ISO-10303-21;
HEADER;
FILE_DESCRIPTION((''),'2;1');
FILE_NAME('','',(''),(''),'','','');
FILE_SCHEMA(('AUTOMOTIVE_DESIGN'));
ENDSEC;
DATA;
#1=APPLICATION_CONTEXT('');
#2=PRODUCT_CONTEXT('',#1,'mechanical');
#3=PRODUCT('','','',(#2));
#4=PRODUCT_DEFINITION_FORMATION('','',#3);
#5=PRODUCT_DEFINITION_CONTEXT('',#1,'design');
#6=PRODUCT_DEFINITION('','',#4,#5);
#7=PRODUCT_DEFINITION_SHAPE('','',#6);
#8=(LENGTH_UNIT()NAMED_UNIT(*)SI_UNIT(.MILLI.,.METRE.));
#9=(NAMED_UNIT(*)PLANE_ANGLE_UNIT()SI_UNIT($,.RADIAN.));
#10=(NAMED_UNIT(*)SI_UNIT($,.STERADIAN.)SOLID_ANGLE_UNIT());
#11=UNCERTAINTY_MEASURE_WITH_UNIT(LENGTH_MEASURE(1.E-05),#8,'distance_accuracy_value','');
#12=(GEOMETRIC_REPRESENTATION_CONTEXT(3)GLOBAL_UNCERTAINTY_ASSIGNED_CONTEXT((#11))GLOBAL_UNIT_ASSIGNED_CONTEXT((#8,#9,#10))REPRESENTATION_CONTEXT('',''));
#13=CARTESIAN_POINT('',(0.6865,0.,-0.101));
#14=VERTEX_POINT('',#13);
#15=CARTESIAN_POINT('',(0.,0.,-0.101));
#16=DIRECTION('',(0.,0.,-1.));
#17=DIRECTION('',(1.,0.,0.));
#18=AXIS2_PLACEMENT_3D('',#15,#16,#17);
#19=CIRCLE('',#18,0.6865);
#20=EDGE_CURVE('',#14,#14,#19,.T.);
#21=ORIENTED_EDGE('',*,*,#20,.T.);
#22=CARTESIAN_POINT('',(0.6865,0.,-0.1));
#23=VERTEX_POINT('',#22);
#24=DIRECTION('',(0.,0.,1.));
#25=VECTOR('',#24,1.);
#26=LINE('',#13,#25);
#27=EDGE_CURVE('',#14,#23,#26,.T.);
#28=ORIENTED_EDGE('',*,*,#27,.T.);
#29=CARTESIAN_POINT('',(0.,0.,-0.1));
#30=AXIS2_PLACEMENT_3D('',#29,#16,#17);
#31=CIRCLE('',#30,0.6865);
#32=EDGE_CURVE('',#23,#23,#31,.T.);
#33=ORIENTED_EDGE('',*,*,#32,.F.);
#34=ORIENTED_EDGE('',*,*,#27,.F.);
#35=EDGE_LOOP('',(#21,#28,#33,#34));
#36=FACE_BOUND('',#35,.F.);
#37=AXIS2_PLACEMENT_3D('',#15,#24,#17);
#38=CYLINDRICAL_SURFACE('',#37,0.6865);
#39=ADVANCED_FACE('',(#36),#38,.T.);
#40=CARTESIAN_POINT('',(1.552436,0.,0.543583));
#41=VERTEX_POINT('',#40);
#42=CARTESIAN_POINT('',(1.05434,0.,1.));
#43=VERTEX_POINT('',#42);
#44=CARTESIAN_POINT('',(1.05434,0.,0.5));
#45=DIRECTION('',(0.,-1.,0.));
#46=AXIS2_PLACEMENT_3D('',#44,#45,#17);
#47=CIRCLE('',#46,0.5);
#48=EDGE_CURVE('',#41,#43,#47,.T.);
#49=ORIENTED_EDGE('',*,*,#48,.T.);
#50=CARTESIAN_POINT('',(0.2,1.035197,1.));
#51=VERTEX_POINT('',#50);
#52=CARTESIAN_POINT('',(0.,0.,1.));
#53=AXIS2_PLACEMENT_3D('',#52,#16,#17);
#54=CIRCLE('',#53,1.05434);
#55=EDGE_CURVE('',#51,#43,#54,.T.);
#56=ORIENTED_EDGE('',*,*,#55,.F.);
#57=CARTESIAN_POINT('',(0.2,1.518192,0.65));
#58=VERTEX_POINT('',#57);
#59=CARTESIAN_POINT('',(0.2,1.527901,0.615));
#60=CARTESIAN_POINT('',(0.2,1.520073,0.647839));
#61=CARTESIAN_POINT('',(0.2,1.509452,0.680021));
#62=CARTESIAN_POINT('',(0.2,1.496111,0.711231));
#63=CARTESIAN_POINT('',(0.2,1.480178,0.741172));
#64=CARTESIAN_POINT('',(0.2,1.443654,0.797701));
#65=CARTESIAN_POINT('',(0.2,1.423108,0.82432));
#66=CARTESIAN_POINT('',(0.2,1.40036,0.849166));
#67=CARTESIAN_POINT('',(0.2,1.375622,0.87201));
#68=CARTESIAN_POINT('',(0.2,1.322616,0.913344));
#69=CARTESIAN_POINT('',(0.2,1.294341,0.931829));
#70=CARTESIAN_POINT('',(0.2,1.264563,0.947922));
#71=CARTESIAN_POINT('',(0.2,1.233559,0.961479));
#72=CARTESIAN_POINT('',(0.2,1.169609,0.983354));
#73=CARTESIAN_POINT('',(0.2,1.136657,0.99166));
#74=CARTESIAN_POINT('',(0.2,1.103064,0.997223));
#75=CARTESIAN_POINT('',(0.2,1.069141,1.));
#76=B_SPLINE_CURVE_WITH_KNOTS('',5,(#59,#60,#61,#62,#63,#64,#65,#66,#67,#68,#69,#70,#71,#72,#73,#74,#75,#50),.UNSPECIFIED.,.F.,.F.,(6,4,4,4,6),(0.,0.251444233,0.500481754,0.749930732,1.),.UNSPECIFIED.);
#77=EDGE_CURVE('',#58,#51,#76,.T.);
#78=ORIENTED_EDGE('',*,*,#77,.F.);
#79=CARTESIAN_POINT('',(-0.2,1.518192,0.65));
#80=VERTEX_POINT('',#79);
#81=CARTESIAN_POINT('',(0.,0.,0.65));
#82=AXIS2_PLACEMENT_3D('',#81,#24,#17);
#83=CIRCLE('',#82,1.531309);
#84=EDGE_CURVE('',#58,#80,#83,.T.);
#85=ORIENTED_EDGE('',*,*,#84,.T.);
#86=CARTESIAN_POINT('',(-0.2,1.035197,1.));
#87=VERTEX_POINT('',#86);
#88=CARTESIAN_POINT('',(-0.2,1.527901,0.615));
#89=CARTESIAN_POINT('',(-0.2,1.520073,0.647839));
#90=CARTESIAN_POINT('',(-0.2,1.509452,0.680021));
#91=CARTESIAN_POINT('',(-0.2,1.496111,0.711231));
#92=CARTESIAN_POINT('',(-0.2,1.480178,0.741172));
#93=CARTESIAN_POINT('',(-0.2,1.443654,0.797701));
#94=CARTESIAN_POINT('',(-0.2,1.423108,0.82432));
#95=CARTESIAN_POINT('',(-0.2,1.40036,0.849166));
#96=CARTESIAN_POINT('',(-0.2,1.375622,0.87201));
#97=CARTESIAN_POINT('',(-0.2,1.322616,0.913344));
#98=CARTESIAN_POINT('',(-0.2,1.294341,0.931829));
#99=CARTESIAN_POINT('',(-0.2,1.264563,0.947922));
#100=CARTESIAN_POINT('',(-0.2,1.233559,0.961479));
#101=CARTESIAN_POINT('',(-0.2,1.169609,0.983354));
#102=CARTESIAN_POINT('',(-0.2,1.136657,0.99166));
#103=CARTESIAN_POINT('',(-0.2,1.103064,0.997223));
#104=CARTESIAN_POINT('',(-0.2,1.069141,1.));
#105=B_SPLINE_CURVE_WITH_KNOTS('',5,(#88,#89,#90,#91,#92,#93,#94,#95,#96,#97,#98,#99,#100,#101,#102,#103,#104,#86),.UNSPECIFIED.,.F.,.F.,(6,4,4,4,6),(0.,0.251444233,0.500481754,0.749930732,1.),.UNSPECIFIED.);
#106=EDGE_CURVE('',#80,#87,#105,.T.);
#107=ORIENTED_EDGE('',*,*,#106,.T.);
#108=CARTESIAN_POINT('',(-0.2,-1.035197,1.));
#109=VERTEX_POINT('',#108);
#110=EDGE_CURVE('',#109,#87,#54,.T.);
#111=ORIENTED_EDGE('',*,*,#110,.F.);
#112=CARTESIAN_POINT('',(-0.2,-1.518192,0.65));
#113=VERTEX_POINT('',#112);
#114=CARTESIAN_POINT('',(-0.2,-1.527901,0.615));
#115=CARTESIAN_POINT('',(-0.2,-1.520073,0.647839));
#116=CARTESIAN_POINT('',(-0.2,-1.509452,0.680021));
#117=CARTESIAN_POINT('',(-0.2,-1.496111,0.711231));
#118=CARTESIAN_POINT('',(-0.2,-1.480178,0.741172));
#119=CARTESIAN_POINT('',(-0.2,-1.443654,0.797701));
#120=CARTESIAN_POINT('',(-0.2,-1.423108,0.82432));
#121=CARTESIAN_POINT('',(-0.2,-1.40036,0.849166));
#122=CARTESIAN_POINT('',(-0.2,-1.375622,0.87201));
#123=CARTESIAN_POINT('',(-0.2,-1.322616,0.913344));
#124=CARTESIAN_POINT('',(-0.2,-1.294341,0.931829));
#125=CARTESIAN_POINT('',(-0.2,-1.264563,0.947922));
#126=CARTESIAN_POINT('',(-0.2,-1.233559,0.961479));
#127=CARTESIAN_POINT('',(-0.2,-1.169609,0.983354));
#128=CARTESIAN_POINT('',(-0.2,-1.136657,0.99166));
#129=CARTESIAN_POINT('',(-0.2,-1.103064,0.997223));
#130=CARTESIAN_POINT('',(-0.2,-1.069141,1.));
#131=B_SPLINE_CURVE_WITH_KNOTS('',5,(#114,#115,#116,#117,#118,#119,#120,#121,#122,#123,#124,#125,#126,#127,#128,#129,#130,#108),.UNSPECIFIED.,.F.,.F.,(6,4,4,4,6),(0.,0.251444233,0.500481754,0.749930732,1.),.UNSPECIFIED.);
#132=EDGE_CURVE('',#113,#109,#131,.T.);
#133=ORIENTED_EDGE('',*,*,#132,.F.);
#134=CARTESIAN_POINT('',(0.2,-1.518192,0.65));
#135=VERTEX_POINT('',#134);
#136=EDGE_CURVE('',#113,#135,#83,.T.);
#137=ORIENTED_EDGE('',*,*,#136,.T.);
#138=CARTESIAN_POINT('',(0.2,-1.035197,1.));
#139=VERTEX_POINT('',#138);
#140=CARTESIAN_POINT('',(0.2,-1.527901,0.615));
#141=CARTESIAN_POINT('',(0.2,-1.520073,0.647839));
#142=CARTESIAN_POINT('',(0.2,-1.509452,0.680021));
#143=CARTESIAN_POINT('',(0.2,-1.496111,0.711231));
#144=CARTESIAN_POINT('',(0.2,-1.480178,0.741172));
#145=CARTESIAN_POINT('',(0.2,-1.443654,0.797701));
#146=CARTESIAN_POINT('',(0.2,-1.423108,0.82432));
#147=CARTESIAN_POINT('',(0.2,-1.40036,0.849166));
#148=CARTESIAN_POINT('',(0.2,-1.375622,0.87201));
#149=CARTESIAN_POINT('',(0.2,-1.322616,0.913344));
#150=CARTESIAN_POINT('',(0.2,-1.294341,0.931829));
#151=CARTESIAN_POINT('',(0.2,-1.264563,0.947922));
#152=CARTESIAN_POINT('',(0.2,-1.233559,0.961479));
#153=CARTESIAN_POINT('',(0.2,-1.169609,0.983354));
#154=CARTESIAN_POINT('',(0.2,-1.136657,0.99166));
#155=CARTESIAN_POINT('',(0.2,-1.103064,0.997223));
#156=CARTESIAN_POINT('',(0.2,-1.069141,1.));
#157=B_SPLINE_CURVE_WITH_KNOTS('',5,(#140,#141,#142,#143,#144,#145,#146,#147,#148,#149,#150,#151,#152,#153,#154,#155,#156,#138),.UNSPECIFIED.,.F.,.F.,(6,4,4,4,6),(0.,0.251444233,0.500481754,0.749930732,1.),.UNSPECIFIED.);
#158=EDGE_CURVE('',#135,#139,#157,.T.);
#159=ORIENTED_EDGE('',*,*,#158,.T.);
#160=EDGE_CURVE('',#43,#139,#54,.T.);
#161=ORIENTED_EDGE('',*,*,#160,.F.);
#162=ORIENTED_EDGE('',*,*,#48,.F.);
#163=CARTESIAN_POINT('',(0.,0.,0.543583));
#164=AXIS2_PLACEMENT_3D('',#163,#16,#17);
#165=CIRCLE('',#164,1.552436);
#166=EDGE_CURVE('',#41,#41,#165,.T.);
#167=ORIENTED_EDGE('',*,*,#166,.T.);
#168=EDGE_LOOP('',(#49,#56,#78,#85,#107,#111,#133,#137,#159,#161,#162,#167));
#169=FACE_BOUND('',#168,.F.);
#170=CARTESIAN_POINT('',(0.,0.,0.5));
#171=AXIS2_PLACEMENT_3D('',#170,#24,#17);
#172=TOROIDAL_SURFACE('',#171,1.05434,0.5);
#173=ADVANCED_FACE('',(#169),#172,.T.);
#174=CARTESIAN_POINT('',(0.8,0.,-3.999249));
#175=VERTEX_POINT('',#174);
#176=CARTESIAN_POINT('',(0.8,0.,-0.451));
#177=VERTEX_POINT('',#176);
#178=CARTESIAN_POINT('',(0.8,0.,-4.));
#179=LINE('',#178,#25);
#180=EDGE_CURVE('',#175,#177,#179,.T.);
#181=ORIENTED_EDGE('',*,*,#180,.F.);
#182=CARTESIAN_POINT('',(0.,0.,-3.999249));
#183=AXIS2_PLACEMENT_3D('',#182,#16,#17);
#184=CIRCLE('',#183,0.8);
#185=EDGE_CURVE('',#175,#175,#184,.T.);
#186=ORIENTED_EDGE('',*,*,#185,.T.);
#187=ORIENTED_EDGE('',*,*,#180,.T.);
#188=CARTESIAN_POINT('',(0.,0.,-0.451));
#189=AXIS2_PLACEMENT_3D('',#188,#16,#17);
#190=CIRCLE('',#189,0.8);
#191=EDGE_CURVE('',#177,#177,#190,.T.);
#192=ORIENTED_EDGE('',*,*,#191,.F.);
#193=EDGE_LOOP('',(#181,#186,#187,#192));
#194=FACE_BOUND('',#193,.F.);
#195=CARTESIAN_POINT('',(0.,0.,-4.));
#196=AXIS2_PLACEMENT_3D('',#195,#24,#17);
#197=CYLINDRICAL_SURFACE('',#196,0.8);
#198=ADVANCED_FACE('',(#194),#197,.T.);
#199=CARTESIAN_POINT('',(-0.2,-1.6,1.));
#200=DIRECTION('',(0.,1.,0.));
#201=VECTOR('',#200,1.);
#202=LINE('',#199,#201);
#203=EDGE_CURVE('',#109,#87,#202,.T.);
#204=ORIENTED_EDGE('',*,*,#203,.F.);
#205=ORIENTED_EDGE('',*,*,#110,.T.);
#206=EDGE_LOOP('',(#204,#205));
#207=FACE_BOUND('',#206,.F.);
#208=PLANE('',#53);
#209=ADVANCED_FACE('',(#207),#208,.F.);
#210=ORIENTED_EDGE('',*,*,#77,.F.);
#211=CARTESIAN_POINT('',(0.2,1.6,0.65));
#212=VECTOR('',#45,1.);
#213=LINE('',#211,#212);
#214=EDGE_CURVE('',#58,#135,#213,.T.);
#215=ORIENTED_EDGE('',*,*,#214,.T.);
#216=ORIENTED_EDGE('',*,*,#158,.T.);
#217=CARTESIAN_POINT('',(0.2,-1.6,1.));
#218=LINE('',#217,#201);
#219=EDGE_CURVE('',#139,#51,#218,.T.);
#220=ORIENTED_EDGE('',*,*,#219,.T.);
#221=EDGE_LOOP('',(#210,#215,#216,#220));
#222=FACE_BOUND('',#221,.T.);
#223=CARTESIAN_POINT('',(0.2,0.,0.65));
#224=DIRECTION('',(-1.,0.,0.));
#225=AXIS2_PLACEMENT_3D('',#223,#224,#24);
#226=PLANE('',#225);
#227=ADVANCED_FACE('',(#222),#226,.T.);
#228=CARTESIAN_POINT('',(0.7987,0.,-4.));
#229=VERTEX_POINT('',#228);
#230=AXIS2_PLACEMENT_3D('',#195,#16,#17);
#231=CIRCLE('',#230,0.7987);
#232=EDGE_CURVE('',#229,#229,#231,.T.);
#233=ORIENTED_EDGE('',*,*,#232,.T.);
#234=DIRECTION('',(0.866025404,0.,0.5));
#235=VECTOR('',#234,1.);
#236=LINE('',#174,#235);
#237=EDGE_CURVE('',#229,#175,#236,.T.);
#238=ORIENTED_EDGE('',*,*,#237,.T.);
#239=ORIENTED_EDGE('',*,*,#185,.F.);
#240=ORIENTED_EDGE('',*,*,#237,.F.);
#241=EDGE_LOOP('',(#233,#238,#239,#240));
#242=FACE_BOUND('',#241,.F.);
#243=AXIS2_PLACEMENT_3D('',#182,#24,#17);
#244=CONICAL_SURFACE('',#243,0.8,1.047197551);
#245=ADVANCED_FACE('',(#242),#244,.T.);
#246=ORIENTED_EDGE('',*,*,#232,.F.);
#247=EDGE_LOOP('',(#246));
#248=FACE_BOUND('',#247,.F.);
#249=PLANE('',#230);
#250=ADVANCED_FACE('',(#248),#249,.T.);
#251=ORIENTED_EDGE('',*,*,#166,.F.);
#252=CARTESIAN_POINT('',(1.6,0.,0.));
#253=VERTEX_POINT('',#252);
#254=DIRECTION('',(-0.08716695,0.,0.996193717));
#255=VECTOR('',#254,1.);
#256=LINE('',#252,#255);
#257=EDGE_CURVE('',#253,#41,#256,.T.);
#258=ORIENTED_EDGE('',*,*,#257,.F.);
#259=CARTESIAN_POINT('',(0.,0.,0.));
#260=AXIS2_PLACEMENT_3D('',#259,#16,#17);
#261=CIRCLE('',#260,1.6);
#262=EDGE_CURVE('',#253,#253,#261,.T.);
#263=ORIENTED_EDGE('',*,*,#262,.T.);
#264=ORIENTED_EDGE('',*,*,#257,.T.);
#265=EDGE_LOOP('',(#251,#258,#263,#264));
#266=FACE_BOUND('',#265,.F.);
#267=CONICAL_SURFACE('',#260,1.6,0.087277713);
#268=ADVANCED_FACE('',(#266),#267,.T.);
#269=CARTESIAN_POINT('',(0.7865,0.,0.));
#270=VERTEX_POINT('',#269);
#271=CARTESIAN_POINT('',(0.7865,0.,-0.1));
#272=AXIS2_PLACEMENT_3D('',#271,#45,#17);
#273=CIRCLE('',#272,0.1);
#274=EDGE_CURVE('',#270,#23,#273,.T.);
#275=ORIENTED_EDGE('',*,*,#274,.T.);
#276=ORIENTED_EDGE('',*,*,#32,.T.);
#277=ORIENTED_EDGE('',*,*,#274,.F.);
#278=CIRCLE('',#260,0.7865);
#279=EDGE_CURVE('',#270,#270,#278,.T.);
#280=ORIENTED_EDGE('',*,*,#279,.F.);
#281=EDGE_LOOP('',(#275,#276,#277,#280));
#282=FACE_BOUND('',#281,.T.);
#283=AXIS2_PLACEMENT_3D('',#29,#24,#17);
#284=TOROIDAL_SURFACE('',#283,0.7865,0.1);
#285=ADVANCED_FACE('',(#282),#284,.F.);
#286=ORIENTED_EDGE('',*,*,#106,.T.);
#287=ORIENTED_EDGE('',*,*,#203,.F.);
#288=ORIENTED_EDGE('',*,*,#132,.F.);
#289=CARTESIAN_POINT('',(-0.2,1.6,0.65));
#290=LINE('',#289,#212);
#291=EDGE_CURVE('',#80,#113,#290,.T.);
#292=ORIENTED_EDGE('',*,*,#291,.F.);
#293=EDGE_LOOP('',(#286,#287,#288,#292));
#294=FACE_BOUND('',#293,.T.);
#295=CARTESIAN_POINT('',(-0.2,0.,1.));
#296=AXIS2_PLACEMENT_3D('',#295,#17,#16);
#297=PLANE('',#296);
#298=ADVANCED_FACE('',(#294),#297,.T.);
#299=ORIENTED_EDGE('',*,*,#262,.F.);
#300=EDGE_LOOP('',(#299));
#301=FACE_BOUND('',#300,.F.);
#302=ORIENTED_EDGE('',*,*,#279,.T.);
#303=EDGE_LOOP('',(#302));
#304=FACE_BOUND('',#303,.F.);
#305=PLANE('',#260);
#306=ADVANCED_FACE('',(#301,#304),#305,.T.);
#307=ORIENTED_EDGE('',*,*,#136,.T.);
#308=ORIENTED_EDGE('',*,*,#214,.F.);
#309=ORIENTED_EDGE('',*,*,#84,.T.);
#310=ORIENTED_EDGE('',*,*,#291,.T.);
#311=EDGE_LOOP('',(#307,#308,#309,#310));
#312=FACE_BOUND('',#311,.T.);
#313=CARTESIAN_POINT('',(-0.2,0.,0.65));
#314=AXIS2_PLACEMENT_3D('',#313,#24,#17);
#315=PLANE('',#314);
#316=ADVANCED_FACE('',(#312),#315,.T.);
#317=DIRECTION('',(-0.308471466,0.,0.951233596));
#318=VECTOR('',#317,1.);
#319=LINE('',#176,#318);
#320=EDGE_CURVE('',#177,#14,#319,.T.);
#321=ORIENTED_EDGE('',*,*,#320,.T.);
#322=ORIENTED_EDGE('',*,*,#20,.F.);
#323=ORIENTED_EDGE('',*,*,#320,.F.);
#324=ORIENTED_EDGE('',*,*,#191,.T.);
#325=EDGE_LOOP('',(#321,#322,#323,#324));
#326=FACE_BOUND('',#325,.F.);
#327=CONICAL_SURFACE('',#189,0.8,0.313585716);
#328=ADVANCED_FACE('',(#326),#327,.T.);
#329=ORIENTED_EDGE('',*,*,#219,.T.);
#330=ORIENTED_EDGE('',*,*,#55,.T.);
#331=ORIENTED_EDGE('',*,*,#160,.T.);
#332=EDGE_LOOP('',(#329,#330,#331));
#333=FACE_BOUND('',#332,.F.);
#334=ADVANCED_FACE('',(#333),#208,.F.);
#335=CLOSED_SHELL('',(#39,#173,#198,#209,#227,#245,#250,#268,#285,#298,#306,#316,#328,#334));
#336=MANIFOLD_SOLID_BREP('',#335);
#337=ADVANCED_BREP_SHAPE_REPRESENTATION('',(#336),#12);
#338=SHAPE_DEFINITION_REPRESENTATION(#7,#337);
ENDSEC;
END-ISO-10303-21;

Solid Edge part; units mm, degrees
sketch "Sketch1" plane through (0, 0, 0) normal (0, -1, 0) x (1, 0, 0)
  line L0 (0, -4) -> (0.8, -4)
  line L1 (0.8, -4) -> (0.8, -0.451)
  line L2 (0.8, -0.451) -> (0.6865, -0.101)
  line L3 (0.6865, -0.101) -> (0.6865, 0)
  line L4 (0.6865, 0) -> (1.6, 0)
  line L5 (1.6, 0) -> (1.5125, 1)
  line L6 (1.5125, 1) -> (0, 1)
  dimension "D1" = 0.8
  dimension "D2" = 0.6865
  dimension "D3" = 4
  dimension "D4" = 3.549
  dimension "D5" = 0.35
  dimension "D6" = 1.6
  dimension "D7" = 1
revolve "RevolvedProtrusion1" add sketch "Sketch1" angle 360 about axis through (0, 0, 6) along (0, 0, -1)
fillet "Round_1" radius 0.5 1 edges at (-1.5125, 0, 1)
sketch "Sketch2" plane through (0, 0, 0) normal (0, -1, 0) x (1, 0, 0)
  line L0 (-0.2, 1) -> (-0.2, 0.65)
  line L1 (-0.2, 0.65) -> (0.2, 0.65)
  line L2 (0.2, 0.65) -> (0.2, 1)
  line L3 (0.2, 1) -> (-0.2, 1)
  dimension "D1" = 0.4
  dimension "D2" = 0.35
  dimension "D3" = 1
extrude "ExtrudedCutout_1" cut sketch "Sketch2" along normal mid plane 3.2
cosmetic_thread "Thread_1" size "M1.6" thread depth 3.549
fillet "Round_2" radius 0.1 1 edges at (-0.6865, 0, 0)
chamfer "Chamfer_1" distance 0.0013 angle 30 1 edges at (-0.8, 0, -4) measured on face at (0.5493, 0.5173, -4)
properties material "Steel"
